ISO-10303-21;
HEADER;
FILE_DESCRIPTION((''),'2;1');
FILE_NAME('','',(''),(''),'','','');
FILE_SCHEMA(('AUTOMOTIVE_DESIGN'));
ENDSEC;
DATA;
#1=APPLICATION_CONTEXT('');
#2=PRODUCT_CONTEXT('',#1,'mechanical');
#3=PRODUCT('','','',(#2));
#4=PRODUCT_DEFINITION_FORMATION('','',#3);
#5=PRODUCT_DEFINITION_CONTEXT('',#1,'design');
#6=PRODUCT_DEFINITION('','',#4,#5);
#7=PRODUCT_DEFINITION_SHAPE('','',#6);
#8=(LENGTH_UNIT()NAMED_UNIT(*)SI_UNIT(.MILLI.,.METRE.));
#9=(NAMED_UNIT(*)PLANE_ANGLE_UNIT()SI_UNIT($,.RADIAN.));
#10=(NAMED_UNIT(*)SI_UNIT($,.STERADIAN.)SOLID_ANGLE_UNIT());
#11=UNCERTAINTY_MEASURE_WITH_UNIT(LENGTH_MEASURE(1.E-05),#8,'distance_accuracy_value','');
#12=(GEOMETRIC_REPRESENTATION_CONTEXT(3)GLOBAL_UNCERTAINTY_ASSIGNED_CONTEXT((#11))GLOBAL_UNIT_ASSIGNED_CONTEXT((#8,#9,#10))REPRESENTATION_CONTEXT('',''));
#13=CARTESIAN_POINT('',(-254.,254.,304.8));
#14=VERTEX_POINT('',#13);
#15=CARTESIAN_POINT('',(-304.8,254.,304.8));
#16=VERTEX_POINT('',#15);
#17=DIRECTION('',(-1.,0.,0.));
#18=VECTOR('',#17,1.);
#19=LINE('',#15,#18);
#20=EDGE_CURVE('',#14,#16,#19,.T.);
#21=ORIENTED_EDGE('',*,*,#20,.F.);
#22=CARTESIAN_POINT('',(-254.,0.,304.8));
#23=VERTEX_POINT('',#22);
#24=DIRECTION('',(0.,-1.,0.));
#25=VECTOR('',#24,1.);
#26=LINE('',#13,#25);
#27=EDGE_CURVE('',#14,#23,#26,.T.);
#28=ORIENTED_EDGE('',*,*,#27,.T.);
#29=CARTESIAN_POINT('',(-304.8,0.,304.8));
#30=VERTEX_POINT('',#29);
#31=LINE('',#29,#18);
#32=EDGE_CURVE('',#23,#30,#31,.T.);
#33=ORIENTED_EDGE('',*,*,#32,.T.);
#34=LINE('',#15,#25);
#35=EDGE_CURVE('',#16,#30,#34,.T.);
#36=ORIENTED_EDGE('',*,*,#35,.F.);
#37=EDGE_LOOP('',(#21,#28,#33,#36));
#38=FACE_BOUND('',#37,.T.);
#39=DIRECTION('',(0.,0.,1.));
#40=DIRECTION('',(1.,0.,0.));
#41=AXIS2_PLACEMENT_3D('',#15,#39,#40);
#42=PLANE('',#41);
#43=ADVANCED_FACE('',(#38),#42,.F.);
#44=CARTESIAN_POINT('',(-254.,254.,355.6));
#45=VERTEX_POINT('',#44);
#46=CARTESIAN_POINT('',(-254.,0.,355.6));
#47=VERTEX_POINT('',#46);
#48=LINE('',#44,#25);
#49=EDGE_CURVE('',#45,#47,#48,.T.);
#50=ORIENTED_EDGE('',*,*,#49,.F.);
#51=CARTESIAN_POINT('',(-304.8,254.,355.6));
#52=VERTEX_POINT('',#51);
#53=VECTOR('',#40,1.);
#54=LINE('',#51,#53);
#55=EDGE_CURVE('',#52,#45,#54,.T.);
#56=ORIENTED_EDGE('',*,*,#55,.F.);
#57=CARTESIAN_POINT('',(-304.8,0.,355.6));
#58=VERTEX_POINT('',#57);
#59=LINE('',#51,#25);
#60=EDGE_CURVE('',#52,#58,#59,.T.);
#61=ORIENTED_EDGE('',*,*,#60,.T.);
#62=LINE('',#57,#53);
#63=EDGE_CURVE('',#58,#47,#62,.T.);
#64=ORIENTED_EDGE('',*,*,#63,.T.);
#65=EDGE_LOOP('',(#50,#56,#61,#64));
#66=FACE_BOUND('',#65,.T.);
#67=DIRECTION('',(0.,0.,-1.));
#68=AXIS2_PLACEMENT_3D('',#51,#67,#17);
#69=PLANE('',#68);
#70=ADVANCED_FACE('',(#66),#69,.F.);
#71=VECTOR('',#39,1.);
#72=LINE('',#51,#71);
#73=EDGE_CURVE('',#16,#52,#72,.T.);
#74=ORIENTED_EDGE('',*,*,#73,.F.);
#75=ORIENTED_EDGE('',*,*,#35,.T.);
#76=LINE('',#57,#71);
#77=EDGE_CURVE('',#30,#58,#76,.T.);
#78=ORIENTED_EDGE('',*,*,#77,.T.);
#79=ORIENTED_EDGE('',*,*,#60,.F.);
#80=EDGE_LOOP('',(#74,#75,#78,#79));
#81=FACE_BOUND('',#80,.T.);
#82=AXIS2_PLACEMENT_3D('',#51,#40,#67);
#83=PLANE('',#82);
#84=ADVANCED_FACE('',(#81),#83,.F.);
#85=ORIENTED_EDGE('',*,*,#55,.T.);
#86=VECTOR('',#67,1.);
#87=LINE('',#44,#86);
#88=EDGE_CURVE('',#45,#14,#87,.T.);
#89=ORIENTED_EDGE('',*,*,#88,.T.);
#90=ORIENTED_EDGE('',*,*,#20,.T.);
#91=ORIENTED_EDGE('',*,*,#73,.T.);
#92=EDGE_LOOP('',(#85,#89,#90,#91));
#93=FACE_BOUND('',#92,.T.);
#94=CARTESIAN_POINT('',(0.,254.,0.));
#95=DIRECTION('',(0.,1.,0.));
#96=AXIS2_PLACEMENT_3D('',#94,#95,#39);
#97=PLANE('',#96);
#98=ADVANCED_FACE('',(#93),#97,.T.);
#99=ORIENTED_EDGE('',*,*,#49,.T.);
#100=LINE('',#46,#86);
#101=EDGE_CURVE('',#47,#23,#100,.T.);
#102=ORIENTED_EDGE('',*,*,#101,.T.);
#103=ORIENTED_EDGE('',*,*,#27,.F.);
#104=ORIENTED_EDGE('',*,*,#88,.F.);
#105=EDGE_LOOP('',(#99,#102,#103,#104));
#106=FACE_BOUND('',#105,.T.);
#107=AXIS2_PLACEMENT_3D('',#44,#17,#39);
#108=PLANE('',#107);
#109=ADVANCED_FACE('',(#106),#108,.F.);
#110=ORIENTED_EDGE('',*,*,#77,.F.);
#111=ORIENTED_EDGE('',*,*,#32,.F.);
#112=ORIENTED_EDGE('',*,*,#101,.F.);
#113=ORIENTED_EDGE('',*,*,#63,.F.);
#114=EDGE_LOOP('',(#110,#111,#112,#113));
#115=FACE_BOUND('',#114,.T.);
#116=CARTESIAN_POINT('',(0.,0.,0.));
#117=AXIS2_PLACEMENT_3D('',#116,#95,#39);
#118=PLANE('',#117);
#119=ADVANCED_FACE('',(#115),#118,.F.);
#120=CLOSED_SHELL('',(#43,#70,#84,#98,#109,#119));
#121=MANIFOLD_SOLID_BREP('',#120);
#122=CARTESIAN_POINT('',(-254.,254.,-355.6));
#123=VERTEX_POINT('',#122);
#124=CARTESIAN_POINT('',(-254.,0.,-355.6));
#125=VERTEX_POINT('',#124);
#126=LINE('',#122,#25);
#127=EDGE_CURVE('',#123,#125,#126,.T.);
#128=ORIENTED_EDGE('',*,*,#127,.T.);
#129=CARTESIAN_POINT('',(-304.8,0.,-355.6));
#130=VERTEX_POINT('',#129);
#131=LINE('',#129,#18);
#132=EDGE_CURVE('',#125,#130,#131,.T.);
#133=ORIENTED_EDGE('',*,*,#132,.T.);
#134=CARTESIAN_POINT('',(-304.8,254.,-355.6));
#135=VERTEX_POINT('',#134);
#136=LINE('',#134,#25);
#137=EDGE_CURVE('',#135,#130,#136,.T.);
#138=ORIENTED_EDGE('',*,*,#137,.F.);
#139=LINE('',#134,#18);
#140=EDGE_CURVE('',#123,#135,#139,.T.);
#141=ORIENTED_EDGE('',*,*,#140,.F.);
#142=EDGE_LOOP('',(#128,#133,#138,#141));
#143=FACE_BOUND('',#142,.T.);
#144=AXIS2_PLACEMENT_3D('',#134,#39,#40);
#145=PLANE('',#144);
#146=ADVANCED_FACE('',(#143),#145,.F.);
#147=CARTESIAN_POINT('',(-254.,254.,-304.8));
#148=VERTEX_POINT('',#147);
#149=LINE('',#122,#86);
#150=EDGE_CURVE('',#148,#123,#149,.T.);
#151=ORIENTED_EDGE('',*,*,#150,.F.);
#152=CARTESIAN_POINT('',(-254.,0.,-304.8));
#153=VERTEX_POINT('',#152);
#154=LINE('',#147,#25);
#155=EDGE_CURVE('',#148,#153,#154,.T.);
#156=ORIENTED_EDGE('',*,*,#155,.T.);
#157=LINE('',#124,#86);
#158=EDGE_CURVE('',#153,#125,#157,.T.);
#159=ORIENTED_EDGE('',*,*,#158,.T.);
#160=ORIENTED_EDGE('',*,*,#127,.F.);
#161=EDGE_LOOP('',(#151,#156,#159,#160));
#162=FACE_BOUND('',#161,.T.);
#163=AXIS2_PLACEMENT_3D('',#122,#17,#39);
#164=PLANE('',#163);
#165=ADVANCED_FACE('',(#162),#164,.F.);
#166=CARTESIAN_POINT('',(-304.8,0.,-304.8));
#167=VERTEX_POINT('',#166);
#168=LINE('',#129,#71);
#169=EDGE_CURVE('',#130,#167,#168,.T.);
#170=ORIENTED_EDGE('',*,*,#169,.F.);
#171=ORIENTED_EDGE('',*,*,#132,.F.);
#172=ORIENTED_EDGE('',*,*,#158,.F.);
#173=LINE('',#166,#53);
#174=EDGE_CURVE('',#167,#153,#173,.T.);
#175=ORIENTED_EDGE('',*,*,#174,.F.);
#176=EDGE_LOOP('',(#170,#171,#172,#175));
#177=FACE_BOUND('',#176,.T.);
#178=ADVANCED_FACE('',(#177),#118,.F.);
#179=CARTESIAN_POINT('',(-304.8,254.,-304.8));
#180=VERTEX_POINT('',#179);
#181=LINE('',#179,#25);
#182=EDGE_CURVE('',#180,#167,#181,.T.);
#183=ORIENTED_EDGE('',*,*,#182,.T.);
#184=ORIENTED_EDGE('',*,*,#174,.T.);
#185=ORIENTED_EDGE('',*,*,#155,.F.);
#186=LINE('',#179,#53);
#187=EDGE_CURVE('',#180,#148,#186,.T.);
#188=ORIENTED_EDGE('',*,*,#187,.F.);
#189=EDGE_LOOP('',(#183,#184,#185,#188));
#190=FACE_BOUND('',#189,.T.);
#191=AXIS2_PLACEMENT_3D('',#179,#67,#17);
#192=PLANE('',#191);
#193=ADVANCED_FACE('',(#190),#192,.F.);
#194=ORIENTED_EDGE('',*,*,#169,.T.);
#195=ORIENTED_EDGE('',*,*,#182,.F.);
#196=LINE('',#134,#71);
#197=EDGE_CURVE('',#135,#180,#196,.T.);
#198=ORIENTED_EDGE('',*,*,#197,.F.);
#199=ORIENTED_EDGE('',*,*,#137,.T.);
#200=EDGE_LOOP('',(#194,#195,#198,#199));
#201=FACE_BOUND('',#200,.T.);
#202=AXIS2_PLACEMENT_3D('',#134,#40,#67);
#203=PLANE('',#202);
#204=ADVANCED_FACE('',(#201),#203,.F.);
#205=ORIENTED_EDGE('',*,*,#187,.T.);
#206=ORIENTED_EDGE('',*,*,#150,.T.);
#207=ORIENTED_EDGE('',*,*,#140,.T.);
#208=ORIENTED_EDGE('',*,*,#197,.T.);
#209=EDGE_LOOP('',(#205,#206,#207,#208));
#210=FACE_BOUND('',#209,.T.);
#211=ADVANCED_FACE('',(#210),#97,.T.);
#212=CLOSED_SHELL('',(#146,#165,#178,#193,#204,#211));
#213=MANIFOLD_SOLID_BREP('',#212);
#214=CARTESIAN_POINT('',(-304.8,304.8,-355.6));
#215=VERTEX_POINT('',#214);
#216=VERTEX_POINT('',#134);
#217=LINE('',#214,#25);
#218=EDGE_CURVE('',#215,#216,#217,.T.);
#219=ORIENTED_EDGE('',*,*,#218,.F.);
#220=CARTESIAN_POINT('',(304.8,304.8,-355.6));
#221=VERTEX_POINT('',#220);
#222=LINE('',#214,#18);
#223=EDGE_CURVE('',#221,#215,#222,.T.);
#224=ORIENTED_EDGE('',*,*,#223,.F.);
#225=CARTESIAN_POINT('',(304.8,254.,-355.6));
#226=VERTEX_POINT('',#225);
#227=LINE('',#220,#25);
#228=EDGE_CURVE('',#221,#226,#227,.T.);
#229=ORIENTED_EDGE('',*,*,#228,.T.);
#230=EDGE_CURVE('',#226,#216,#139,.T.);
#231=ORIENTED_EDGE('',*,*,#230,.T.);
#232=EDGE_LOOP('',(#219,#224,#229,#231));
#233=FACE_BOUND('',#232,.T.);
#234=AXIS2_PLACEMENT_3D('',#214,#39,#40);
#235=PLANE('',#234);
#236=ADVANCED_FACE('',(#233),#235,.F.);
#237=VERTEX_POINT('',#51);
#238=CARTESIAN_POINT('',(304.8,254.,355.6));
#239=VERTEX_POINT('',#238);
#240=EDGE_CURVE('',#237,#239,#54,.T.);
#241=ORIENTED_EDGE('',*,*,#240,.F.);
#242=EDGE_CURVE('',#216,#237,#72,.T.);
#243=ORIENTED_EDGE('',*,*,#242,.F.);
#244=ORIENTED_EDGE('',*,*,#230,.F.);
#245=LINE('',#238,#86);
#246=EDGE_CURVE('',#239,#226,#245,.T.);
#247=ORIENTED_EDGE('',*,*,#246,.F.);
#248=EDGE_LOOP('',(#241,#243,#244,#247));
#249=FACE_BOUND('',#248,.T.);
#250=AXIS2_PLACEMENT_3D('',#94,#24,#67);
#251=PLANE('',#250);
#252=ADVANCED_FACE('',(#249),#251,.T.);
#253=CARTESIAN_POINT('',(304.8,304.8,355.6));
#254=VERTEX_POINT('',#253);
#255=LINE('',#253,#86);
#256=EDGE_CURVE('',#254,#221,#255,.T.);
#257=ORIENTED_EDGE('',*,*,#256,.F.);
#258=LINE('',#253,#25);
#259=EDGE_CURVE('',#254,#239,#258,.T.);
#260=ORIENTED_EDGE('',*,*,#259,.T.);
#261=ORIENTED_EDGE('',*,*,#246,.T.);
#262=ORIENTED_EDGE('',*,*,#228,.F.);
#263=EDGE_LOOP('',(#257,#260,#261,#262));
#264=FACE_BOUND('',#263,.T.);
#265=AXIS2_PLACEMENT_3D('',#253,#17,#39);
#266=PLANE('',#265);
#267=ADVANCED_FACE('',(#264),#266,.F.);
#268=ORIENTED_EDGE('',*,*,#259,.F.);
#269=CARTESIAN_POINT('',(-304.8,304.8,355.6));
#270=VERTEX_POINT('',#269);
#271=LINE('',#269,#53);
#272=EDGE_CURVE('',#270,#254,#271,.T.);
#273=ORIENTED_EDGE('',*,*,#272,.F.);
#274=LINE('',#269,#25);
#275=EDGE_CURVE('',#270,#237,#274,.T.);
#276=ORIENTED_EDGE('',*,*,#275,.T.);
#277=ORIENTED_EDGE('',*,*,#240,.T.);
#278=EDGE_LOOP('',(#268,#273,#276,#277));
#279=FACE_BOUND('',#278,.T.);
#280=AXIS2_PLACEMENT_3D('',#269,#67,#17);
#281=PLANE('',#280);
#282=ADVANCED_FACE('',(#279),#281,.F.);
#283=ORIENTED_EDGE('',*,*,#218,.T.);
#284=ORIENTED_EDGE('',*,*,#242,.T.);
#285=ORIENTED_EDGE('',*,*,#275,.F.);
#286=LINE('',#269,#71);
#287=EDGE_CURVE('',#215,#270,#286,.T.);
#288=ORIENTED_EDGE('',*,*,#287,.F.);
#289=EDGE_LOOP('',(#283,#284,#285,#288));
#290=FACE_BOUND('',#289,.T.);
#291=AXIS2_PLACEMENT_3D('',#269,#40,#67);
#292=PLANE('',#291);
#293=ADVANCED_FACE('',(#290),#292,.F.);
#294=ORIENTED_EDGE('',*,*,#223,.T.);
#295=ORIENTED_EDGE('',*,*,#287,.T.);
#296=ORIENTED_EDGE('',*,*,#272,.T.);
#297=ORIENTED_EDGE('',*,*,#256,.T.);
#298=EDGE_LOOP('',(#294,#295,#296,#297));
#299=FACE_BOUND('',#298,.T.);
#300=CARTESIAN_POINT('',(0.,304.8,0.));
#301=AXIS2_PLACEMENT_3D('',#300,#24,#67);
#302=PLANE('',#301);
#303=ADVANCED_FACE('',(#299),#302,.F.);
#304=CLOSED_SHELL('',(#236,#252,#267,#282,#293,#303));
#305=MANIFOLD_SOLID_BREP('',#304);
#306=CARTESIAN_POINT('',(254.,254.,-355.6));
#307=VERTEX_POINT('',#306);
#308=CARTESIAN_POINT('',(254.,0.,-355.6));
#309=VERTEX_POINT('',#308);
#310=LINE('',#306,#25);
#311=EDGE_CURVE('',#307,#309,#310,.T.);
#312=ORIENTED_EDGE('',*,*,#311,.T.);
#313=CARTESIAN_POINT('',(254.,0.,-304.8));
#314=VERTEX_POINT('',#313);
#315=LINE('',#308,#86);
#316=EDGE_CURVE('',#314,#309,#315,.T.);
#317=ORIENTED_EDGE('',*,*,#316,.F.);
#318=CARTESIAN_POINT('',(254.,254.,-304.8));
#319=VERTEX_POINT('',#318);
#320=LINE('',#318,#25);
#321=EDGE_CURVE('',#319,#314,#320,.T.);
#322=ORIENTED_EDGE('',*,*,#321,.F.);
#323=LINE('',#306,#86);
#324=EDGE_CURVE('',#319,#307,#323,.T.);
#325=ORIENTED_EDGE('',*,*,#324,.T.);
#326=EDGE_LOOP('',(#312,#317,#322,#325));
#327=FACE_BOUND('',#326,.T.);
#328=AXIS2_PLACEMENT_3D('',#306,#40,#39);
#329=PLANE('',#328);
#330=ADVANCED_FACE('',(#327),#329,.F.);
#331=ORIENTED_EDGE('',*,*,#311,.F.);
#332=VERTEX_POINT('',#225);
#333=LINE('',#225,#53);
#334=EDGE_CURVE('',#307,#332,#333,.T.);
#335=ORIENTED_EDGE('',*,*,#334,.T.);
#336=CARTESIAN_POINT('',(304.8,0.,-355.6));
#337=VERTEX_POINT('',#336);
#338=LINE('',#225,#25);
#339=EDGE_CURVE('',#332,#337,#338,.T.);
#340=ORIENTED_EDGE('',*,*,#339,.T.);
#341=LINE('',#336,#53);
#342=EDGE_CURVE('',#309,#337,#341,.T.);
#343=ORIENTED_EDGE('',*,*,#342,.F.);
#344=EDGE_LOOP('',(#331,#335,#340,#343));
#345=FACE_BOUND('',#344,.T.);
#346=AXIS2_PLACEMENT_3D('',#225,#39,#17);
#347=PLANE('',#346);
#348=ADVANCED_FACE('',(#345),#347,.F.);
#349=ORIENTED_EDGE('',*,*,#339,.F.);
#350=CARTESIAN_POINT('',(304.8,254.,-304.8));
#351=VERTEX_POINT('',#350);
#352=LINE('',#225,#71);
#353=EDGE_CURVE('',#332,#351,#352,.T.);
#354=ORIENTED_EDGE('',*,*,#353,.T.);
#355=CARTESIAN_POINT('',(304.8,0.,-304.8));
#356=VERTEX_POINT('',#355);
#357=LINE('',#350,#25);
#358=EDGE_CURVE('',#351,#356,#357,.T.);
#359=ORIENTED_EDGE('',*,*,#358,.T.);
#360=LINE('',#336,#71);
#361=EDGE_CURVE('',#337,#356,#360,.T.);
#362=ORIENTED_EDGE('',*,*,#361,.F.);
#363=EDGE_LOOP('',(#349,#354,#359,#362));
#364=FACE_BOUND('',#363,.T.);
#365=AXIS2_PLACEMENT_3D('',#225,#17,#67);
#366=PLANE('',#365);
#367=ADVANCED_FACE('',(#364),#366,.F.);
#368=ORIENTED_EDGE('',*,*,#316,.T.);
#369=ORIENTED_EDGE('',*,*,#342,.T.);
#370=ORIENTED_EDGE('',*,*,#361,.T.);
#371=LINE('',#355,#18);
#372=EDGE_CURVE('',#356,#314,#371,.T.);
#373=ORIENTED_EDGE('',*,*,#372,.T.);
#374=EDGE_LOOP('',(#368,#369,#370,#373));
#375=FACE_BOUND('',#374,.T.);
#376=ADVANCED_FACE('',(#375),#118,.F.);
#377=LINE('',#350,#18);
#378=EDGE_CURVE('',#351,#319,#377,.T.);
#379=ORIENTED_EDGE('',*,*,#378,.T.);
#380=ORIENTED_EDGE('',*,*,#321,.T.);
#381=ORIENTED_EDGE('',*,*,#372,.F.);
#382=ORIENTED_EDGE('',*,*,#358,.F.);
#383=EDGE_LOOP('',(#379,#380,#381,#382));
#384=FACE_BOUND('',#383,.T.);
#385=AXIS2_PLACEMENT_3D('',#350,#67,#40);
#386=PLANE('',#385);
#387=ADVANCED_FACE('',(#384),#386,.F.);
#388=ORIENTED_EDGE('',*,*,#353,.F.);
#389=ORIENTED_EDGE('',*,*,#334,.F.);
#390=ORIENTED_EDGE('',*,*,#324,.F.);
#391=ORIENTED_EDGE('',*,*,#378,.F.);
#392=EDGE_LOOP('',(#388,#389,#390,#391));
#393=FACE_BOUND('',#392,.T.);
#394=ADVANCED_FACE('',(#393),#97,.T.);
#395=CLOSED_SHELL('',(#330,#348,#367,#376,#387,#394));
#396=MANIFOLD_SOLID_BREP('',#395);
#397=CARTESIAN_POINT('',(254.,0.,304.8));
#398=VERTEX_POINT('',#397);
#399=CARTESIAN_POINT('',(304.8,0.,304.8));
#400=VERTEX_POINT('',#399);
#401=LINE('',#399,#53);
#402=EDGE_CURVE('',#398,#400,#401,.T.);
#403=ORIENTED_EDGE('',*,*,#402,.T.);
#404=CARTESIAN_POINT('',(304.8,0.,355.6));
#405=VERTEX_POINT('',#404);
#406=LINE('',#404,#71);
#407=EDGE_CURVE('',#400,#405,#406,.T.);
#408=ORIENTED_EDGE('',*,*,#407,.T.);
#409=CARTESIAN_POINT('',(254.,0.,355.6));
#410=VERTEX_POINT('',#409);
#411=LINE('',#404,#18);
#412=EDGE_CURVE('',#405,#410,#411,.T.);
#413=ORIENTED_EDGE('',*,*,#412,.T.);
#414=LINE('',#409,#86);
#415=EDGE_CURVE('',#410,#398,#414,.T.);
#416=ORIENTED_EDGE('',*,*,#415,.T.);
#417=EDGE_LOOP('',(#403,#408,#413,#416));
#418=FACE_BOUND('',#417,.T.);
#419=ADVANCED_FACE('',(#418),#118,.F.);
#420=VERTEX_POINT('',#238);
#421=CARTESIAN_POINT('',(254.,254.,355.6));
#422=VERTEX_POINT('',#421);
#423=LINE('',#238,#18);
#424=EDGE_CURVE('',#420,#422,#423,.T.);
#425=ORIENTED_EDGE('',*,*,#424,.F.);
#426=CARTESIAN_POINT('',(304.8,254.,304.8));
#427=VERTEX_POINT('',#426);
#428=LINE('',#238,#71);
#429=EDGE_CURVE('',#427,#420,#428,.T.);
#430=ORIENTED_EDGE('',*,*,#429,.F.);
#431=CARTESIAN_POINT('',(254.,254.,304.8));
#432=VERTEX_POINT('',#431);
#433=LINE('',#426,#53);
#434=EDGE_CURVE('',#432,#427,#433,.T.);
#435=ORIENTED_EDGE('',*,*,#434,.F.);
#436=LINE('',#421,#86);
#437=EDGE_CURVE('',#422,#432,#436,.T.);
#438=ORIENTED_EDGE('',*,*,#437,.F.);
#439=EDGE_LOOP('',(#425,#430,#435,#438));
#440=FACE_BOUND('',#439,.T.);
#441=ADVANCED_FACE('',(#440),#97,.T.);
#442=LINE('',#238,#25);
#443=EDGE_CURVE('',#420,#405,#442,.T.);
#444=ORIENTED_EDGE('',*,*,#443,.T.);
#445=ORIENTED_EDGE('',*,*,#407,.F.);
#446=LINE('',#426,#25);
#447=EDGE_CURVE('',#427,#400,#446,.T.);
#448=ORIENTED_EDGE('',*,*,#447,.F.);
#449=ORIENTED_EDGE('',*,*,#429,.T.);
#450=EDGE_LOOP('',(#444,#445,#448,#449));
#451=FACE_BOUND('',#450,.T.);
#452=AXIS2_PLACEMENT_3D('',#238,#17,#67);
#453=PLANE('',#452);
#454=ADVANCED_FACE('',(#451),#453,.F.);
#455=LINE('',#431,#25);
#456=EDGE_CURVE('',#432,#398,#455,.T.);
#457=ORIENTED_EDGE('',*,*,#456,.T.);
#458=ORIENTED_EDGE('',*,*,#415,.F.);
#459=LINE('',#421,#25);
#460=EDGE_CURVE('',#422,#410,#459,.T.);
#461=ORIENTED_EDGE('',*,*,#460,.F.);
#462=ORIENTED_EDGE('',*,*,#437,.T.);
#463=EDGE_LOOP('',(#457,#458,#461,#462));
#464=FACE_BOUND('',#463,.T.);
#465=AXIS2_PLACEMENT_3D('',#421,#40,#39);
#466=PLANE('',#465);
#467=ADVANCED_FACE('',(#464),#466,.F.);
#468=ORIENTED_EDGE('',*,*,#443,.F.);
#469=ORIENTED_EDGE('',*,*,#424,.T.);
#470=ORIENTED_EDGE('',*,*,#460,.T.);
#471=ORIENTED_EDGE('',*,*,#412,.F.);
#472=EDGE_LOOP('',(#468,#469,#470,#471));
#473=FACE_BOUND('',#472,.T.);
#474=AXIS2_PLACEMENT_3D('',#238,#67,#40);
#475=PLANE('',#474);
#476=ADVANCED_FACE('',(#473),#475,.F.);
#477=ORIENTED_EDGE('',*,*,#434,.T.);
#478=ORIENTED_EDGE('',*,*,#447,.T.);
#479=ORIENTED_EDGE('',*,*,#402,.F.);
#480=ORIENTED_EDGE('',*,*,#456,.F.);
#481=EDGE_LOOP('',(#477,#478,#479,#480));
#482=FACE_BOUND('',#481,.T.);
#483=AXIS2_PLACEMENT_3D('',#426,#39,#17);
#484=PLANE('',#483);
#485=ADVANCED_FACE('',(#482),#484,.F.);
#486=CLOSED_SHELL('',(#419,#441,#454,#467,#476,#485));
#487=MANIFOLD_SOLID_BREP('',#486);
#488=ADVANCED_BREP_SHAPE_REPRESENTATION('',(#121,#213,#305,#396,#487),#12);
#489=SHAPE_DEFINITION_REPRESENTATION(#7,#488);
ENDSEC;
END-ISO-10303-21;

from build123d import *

# Parameters (mm, degrees)
SKETCH1_W             = 50.8
SKETCH1_H             = 50.8
BOSS_EXTRUDE1_DEPTH   = 254
BOSS_EXTRUDE1_2_DEPTH = 254
SKETCH2_W             = 609.6
SKETCH2_H             = 711.2
BOSS_EXTRUDE2_DEPTH   = 50.8


with BuildPart() as part:
    # Sketch1 → Boss-Extrude1 (new body)
    with BuildSketch(Plane(origin=(0, 0, 0), x_dir=(1, 0, 0), z_dir=(0, 1, 0))):
        with Locations((-279.4, 330.2)):
            Rectangle(SKETCH1_W, SKETCH1_H)
    extrude(amount=BOSS_EXTRUDE1_DEPTH)


with BuildPart() as body_2:
    # Sketch1 → Boss-Extrude1 2 (new body)
    with BuildSketch(Plane(origin=(0, 0, 0), x_dir=(1, 0, 0), z_dir=(0, 1, 0))):
        with Locations((-279.4, -330.2)):
            Rectangle(SKETCH1_W, SKETCH1_H)
    extrude(amount=BOSS_EXTRUDE1_2_DEPTH)


with BuildPart() as body_3:
    # Mirror4: mirrored copy
    add(part.part.mirror(Plane(origin=(0, 0, 0), x_dir=(0, 0, 1), z_dir=(1, 0, 0))))


with BuildPart() as body_4:
    # Mirror4 2: mirrored copy
    add(body_2.part.mirror(Plane(origin=(0, 0, 0), x_dir=(0, 0, 1), z_dir=(1, 0, 0))))


with BuildPart() as body_5:
    # Sketch2 → Boss-Extrude2 (new body)
    with BuildSketch(Plane(origin=(0, 254, 0), x_dir=(1, 0, 0), z_dir=(0, 1, 0))):
        Rectangle(SKETCH2_W, SKETCH2_H)
    extrude(amount=BOSS_EXTRUDE2_DEPTH)


solid = Compound([part.part, body_2.part, body_3.part, body_4.part, body_5.part])
